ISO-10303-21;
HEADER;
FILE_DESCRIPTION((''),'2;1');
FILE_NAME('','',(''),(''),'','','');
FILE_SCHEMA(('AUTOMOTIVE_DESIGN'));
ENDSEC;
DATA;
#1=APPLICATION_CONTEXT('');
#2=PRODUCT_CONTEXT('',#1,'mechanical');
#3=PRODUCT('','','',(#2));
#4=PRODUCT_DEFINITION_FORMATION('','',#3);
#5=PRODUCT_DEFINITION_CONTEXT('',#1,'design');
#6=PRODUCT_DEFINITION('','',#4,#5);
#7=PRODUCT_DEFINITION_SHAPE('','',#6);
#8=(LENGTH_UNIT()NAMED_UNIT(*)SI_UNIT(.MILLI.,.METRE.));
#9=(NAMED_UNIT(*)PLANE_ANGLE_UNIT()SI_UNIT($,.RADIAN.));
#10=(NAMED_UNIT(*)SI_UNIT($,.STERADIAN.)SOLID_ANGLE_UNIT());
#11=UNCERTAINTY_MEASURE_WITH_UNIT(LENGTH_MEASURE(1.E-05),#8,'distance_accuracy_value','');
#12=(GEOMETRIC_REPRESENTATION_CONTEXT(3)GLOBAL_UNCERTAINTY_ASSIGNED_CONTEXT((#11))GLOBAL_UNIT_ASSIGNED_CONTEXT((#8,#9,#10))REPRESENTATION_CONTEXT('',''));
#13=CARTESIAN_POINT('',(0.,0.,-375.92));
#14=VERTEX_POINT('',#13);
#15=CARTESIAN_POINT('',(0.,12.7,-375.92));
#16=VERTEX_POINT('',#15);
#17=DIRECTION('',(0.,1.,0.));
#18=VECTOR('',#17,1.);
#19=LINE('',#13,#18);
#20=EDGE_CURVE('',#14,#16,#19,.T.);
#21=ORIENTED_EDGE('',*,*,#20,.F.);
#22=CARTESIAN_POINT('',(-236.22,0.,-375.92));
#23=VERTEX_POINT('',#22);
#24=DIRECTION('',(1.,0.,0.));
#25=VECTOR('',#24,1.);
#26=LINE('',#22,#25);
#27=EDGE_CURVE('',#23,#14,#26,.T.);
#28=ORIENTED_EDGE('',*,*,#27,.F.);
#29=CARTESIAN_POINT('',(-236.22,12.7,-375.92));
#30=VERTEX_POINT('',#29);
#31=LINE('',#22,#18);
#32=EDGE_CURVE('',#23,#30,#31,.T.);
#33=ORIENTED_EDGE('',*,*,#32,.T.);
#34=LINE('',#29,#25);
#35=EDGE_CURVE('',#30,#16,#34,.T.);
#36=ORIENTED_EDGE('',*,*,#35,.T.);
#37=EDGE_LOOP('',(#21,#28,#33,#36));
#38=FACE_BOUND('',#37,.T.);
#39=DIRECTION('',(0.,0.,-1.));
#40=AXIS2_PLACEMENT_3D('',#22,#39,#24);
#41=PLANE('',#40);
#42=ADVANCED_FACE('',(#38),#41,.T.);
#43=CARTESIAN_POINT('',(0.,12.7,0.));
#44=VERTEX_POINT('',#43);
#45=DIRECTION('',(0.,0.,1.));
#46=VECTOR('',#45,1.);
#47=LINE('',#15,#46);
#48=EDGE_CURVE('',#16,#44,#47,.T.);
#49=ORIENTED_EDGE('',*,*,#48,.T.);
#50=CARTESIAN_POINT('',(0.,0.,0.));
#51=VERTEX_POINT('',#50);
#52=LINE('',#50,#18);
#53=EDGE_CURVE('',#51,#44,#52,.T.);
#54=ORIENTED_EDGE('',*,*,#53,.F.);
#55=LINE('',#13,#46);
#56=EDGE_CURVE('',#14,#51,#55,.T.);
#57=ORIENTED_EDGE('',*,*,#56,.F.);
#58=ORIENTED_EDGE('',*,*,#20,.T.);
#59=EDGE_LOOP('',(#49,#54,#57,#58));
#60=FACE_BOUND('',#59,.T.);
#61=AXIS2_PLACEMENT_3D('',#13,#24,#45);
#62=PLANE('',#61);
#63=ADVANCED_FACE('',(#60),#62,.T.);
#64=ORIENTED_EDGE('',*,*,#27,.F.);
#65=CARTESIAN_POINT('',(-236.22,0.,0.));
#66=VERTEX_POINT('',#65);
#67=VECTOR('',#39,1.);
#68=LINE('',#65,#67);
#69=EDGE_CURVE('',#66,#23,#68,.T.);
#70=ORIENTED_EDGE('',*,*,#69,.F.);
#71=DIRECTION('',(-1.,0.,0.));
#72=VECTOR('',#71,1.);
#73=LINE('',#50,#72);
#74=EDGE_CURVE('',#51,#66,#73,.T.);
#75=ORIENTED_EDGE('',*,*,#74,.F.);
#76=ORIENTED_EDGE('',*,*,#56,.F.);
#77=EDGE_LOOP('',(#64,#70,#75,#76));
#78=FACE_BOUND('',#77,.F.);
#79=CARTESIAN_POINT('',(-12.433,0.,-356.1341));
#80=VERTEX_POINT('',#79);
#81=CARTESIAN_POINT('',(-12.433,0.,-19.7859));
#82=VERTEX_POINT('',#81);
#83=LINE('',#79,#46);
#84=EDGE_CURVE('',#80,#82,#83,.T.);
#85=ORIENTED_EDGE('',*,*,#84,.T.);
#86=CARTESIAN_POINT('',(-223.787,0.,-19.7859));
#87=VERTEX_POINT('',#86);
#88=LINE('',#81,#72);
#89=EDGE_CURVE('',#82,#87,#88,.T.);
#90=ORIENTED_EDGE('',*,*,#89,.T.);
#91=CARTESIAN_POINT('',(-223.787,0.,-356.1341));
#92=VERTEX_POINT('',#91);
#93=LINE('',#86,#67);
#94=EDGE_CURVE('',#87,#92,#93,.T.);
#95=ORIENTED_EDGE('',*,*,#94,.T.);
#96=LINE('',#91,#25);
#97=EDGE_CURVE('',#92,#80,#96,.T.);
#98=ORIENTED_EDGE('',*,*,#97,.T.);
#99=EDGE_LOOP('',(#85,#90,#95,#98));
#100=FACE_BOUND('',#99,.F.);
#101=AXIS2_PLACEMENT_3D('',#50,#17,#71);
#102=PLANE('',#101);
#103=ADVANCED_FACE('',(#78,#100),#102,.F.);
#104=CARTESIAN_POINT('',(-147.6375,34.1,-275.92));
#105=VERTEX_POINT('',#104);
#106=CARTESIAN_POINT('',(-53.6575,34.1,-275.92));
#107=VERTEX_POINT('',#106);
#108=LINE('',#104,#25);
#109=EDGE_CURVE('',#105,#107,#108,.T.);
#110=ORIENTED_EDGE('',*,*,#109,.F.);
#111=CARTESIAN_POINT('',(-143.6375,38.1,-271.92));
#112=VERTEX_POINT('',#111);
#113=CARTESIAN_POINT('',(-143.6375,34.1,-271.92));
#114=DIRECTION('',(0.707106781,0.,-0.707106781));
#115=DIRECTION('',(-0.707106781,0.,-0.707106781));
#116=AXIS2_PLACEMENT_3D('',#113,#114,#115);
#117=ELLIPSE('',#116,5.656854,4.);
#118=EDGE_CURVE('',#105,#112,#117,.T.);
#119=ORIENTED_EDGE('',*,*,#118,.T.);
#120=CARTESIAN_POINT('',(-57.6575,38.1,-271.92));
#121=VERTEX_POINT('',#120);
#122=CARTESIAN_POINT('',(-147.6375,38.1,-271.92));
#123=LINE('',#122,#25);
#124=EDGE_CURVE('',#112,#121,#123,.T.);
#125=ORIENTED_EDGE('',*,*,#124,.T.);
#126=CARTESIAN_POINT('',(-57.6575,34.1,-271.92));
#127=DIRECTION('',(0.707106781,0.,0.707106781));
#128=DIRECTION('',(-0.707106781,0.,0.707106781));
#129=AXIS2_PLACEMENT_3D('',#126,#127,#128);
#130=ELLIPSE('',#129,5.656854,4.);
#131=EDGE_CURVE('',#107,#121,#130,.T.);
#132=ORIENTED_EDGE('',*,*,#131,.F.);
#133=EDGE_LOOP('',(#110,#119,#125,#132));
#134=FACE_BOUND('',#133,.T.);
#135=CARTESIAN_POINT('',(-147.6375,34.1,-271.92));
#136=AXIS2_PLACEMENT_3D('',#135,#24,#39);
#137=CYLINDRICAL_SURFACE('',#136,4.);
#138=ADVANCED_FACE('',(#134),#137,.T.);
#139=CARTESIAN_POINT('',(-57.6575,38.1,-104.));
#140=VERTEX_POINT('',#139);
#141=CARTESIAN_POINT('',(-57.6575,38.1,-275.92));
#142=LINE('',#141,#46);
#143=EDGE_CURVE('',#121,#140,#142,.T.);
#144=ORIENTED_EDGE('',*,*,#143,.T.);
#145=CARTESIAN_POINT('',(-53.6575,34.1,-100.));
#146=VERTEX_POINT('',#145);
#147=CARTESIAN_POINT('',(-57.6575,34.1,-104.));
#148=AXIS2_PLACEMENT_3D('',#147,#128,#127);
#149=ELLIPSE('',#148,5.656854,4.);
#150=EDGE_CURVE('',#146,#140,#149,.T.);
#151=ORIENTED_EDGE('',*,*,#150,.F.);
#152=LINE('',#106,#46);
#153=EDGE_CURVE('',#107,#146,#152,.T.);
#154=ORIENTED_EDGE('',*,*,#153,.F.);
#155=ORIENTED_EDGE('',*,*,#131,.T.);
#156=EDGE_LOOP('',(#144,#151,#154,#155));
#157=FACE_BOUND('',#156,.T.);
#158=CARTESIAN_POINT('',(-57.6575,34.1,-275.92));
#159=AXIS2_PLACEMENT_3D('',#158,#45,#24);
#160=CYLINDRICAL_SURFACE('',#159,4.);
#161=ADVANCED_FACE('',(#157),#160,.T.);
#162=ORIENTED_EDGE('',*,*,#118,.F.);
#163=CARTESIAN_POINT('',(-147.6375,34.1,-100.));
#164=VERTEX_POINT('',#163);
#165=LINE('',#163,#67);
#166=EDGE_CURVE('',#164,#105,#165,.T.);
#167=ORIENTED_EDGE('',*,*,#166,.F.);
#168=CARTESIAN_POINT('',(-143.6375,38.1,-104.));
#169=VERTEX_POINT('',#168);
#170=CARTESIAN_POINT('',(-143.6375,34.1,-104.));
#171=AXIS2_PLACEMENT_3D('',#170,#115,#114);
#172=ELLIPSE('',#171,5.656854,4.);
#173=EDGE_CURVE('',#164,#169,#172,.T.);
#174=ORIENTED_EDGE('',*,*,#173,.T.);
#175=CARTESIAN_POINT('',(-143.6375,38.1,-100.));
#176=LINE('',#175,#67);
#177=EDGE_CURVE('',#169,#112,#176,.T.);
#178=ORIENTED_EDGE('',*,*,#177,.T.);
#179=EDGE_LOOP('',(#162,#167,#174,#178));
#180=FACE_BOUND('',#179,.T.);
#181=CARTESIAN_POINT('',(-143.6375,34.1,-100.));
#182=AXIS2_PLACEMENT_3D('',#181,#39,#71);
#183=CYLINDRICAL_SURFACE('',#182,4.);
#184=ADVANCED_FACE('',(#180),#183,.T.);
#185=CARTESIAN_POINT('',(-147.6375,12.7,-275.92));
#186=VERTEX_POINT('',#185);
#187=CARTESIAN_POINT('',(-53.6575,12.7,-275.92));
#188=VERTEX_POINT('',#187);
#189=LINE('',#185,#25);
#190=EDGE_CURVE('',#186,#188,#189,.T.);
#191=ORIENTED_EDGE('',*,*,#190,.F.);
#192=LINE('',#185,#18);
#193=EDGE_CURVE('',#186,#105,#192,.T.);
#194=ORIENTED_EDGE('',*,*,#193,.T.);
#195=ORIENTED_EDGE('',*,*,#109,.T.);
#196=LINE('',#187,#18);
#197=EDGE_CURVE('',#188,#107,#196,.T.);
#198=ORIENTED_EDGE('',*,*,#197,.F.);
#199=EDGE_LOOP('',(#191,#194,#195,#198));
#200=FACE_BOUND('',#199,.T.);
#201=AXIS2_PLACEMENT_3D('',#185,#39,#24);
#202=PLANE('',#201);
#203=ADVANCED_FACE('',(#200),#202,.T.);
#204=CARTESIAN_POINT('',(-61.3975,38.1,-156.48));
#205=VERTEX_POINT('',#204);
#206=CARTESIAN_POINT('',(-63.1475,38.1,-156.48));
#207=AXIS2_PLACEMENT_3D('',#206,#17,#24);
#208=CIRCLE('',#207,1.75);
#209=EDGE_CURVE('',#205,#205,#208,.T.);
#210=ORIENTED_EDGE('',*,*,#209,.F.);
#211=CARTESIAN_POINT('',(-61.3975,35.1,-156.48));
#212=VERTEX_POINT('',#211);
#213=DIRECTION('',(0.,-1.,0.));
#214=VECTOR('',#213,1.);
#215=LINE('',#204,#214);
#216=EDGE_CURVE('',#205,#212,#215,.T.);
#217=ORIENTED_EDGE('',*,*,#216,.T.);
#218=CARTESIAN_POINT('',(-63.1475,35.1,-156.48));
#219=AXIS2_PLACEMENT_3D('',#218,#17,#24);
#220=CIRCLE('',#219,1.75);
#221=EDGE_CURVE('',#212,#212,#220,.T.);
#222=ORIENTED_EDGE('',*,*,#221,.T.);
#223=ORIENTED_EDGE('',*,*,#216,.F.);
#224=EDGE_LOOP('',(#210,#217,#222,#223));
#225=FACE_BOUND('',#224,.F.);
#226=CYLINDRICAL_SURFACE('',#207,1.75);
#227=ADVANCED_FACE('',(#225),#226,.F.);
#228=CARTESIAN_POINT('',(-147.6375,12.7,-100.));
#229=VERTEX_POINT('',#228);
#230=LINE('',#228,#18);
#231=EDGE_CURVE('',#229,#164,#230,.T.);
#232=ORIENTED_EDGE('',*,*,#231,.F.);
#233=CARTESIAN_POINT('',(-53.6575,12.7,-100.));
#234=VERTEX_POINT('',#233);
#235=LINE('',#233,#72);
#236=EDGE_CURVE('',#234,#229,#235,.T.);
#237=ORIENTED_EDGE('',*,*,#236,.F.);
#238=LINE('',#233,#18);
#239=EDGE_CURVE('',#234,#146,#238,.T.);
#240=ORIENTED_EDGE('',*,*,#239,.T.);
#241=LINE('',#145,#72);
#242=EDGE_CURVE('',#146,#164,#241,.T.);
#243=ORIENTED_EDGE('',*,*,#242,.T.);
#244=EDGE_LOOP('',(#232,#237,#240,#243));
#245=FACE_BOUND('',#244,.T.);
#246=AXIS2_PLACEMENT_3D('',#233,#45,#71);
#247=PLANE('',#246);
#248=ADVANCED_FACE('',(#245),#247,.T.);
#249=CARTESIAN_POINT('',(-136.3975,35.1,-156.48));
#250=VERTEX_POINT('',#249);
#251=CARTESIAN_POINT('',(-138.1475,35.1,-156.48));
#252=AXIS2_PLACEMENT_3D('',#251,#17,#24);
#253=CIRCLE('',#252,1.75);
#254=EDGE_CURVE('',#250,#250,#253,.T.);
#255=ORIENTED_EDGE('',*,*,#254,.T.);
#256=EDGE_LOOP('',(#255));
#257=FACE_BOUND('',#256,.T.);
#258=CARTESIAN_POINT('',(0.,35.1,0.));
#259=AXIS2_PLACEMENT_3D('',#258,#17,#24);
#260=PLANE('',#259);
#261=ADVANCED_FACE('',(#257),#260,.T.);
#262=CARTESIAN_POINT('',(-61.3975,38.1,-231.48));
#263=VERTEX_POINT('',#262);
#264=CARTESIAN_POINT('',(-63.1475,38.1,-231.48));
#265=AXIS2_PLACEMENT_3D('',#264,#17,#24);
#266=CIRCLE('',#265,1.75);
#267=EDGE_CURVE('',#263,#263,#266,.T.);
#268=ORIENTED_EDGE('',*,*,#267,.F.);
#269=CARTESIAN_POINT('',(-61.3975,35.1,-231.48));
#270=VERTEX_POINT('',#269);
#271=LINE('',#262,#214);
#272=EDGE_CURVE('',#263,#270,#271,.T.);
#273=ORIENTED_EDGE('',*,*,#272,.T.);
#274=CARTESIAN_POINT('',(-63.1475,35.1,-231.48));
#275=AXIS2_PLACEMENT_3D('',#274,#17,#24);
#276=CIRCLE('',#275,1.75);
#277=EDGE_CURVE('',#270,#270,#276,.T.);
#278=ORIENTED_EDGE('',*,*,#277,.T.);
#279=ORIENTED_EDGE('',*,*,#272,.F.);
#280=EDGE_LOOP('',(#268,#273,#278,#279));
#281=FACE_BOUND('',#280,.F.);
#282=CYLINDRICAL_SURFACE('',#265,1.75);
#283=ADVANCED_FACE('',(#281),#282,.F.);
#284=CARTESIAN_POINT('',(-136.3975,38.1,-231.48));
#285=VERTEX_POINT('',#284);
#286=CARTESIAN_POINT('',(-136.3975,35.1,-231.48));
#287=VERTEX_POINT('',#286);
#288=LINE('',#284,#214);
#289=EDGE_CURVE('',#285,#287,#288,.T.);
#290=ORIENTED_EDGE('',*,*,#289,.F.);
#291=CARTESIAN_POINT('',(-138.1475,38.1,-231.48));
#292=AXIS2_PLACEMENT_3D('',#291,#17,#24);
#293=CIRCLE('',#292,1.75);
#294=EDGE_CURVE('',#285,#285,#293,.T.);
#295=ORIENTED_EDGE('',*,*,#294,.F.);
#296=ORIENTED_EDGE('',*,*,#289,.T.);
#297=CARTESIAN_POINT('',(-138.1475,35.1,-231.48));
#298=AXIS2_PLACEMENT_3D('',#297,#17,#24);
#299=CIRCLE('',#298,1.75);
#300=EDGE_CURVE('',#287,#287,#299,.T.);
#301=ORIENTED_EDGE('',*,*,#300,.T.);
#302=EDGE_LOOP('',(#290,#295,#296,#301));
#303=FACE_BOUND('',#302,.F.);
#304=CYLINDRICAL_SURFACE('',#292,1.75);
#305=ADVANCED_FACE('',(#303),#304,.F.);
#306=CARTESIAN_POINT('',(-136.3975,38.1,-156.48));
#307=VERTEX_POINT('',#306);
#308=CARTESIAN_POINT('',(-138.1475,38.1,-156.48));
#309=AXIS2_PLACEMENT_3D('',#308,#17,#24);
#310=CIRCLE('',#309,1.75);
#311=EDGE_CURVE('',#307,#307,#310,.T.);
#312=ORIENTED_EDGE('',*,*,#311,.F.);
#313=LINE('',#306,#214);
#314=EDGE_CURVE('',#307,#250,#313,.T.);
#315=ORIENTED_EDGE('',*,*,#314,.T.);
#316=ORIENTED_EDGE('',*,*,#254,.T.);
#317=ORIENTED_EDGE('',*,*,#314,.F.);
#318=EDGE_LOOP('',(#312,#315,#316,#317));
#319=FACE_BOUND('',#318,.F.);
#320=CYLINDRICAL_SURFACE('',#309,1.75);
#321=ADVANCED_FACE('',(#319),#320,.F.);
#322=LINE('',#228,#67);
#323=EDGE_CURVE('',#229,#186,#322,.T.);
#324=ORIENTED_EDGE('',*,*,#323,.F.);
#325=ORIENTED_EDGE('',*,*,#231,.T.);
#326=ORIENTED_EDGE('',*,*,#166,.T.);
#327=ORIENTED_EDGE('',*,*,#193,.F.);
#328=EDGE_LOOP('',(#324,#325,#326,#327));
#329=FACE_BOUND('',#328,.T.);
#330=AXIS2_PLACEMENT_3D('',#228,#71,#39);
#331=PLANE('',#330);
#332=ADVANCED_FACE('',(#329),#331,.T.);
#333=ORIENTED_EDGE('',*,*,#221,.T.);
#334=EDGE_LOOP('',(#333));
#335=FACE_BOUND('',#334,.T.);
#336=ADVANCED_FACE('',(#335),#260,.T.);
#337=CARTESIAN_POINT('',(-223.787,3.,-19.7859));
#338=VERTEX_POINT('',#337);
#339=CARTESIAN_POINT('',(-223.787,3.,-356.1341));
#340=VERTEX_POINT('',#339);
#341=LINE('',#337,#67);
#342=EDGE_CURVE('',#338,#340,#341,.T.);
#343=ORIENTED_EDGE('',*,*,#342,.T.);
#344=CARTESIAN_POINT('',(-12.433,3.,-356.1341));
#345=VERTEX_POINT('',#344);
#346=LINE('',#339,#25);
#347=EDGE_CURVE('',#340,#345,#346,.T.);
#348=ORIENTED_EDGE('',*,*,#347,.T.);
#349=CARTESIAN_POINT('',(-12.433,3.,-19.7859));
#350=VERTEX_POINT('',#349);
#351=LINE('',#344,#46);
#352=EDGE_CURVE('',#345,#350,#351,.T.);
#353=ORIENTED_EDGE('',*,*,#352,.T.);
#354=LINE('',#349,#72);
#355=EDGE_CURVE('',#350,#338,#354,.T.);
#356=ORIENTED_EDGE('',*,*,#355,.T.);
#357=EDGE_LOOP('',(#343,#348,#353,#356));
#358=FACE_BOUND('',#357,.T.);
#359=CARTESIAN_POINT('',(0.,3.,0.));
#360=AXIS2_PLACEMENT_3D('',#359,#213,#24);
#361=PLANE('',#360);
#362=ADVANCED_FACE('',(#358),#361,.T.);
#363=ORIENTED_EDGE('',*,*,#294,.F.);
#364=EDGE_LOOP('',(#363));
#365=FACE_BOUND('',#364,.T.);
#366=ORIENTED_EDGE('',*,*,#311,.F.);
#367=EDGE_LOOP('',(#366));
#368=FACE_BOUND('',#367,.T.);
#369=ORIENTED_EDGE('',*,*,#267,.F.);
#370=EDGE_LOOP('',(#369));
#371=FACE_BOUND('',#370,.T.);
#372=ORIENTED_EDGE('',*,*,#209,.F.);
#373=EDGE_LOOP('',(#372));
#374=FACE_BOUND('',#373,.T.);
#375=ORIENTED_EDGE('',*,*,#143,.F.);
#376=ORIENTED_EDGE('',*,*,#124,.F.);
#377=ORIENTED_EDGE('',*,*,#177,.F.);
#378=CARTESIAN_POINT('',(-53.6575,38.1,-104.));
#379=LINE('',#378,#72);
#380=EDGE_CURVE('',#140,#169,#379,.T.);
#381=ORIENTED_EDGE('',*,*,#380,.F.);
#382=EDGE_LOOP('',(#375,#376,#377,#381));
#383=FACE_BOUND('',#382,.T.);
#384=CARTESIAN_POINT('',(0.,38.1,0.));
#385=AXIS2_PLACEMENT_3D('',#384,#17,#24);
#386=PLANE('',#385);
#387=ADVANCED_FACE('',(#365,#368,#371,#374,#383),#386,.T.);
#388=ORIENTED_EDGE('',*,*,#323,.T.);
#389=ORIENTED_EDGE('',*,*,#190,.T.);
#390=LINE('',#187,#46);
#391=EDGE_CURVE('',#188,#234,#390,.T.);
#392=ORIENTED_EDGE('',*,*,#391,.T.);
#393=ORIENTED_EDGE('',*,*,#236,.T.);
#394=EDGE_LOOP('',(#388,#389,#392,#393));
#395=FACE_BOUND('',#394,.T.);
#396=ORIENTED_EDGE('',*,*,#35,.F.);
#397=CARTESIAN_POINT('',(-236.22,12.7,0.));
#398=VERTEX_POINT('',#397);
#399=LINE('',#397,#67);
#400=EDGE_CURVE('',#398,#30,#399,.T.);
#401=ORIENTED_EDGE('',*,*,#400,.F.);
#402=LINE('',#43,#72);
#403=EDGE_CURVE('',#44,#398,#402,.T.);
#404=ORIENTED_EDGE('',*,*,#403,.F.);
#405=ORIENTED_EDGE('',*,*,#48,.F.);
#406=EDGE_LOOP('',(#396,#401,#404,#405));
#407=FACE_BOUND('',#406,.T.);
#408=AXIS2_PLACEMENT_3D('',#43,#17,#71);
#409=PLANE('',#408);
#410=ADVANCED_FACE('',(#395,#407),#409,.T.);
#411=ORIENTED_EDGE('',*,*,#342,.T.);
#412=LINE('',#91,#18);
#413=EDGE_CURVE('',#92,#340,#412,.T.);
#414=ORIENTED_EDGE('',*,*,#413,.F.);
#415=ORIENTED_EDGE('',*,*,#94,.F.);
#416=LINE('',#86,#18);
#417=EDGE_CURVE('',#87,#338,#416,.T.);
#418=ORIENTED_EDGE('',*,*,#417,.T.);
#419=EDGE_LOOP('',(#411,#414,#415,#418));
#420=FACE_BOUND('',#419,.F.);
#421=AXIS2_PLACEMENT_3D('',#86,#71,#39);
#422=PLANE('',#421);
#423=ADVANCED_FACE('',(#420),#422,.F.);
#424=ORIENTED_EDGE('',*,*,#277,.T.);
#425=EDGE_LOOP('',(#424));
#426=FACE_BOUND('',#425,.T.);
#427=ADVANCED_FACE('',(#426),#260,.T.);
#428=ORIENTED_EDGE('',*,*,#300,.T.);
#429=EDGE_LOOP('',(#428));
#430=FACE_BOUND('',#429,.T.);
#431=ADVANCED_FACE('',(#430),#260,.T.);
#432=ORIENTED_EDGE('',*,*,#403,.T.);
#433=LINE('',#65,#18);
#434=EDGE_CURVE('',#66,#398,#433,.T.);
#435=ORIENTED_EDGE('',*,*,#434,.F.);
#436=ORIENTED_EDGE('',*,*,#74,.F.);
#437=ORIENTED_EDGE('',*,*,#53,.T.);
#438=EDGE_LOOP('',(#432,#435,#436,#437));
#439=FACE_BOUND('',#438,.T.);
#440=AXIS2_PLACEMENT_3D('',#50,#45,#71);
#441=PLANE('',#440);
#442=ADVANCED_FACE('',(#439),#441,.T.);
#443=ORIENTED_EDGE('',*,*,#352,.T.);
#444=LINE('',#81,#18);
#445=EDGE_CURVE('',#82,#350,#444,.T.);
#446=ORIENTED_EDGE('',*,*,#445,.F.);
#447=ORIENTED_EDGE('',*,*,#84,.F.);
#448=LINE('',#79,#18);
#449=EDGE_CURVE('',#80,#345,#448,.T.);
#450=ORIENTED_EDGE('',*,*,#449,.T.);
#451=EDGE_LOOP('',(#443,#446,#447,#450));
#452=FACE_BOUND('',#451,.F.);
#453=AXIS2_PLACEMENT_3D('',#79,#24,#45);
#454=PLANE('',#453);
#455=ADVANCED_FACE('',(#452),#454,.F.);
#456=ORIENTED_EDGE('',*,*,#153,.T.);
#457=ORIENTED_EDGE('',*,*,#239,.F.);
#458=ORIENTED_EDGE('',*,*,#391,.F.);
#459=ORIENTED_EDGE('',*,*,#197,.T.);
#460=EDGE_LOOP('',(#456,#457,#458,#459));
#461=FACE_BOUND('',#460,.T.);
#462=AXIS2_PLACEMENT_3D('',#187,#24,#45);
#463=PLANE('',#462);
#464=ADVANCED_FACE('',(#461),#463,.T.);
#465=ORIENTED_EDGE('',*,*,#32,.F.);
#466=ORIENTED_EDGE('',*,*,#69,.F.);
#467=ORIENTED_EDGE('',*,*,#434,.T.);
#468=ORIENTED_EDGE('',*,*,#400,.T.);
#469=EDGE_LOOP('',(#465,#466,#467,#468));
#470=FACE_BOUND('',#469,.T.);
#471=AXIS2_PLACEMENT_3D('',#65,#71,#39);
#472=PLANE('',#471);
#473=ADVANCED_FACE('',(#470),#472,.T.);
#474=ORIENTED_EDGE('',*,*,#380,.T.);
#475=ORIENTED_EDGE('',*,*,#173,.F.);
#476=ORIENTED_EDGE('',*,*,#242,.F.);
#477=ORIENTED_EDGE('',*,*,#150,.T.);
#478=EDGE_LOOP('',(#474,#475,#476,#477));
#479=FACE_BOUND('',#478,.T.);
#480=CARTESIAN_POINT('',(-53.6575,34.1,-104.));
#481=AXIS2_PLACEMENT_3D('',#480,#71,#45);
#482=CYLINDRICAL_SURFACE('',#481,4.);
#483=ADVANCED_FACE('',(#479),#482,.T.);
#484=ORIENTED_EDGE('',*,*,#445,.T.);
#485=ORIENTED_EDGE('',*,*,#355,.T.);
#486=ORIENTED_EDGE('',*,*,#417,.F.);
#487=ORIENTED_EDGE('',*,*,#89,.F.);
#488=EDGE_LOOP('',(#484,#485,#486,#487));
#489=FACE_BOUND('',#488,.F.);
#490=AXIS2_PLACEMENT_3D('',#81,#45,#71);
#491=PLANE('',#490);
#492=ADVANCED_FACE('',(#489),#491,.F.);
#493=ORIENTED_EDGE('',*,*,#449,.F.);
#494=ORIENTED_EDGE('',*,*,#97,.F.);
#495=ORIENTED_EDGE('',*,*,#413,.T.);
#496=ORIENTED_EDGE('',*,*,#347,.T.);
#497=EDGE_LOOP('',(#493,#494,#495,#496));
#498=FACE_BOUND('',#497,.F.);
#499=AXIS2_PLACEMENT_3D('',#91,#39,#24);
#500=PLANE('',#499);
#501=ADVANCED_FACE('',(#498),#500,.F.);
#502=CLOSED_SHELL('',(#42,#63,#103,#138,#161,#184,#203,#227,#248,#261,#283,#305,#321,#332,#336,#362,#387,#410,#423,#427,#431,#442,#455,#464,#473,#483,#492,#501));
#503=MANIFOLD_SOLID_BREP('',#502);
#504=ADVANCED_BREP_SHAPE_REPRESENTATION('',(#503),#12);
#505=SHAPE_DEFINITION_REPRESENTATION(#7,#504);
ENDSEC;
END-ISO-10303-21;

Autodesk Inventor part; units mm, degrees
ref_plane "YZ Plane" through (0, 0, 0) normal (1, 0, 0) x (0, 1, 0)
ref_plane "XZ Plane" through (0, 0, 0) normal (0, 1, 0) x (-1, 0, 0)
ref_plane "XY Plane" through (0, 0, 0) normal (0, 0, 1) x (1, 0, 0)
sketch "Sketch1" plane through (0, 0, 0) normal (0, 1, 0) x (-1, 0, 0)
  line L0 (0, 0) -> (236.22, 0)
  line L1 (236.22, 0) -> (236.22, -375.92)
  line L2 (236.22, -375.92) -> (0, -375.92)
  line L3 (0, -375.92) -> (0, 0)
  dimension "d0" = 236.22
  dimension "d1" = 375.92
extrude "Extrusion1" add sketch "Sketch1" along normal blind 12.7
sketch "Sketch2" plane through (0, 12.7, 0) normal (0, 1, 0) x (1, 0, 0)
  line L0 (-236.22, 375.92) -> (-236.22, 0) projected
  line L1 (-236.22, 187.96) -> (-147.6375, 187.96)
  line L2 (0, 375.92) -> (-236.22, 375.92) projected
  line L3 (-147.6375, 375.92) -> (-147.6375, 275.92)
  line L4 (-236.22, 0) -> (0, 0) projected
  line L5 (-147.6375, 0) -> (-147.6375, 100)
  line L6 (-147.6375, 0) -> (-47.6375, 0) construction
  line L7 (-147.6375, 275.92) -> (-53.6575, 275.92)
  line L8 (-53.6575, 275.92) -> (-53.6575, 100)
  line L9 (-53.6575, 100) -> (-147.6375, 100)
  line L10 (-147.6375, 100) -> (-147.6375, 275.92)
  dimension "d4" = 88.5825
  dimension "d5" = 100
  dimension "d6" = 88.5825
  dimension "d7" = 100
  dimension "d8" = 90
  dimension "d9" = 88.5825
  dimension "d10" = 93.98
  dimension "d11" = 175.92
extrude "Extrusion2" add sketch "Sketch2" along normal blind 25.4 contours L10 L7 L8 L9
fillet "Fillet1" radius 4 4 edges at (-147.6375, 38.1, -187.96) (-53.6575, 38.1, -187.96) (-100.6475, 38.1, -100) (-100.6475, 38.1, -275.92)
sketch "Sketch3" plane through (0, 0, 0) normal (0, -1, 0) x (1, 0, 0)
  line L0 (0, -375.92) -> (0, 0) projected
  line L1 (-236.22, 0) -> (-236.22, -375.92) projected
  line L2 (0, 0) -> (-236.22, -375.92)
  line L3 (-236.22, -375.92) -> (-223.787, -356.1341)
  line L4 (0, 0) -> (-12.433, -19.7859)
  line L5 (-223.787, -356.1341) -> (-12.433, -356.1341)
  line L6 (-12.433, -356.1341) -> (-12.433, -19.7859)
  line L7 (-12.433, -19.7859) -> (-223.787, -19.7859)
  line L8 (-223.787, -19.7859) -> (-223.787, -356.1341)
  dimension "d15" = 23.368
  dimension "d16" = 23.368
extrude "Extrusion3" cut sketch "Sketch3" against normal blind 3
sketch "Sketch4" plane through (0, 38.1, 0) normal (0, 1, 0) x (1, 0, 0)
  circle A0 centre (-138.1475, 231.48) radius 1.75
  line L0 (-57.6575, 104) -> (-143.6375, 104) projected
  line L1 (-57.6575, 271.92) -> (-57.6575, 104) projected
  circle A1 centre (-63.1475, 231.48) radius 1.75
  circle A2 centre (-138.1475, 156.48) radius 1.75
  circle A3 centre (-63.1475, 156.48) radius 1.75
  point P0 (0, 0)
  dimension "d19" = 3.5
  dimension "d20" = 127.48
  dimension "d21" = 80.49
  dimension "d24" = 75
  dimension "d27" = 75
extrude "Extrusion4" cut sketch "Sketch4" against normal blind 3
properties part number "SpectreE165W_16in"
